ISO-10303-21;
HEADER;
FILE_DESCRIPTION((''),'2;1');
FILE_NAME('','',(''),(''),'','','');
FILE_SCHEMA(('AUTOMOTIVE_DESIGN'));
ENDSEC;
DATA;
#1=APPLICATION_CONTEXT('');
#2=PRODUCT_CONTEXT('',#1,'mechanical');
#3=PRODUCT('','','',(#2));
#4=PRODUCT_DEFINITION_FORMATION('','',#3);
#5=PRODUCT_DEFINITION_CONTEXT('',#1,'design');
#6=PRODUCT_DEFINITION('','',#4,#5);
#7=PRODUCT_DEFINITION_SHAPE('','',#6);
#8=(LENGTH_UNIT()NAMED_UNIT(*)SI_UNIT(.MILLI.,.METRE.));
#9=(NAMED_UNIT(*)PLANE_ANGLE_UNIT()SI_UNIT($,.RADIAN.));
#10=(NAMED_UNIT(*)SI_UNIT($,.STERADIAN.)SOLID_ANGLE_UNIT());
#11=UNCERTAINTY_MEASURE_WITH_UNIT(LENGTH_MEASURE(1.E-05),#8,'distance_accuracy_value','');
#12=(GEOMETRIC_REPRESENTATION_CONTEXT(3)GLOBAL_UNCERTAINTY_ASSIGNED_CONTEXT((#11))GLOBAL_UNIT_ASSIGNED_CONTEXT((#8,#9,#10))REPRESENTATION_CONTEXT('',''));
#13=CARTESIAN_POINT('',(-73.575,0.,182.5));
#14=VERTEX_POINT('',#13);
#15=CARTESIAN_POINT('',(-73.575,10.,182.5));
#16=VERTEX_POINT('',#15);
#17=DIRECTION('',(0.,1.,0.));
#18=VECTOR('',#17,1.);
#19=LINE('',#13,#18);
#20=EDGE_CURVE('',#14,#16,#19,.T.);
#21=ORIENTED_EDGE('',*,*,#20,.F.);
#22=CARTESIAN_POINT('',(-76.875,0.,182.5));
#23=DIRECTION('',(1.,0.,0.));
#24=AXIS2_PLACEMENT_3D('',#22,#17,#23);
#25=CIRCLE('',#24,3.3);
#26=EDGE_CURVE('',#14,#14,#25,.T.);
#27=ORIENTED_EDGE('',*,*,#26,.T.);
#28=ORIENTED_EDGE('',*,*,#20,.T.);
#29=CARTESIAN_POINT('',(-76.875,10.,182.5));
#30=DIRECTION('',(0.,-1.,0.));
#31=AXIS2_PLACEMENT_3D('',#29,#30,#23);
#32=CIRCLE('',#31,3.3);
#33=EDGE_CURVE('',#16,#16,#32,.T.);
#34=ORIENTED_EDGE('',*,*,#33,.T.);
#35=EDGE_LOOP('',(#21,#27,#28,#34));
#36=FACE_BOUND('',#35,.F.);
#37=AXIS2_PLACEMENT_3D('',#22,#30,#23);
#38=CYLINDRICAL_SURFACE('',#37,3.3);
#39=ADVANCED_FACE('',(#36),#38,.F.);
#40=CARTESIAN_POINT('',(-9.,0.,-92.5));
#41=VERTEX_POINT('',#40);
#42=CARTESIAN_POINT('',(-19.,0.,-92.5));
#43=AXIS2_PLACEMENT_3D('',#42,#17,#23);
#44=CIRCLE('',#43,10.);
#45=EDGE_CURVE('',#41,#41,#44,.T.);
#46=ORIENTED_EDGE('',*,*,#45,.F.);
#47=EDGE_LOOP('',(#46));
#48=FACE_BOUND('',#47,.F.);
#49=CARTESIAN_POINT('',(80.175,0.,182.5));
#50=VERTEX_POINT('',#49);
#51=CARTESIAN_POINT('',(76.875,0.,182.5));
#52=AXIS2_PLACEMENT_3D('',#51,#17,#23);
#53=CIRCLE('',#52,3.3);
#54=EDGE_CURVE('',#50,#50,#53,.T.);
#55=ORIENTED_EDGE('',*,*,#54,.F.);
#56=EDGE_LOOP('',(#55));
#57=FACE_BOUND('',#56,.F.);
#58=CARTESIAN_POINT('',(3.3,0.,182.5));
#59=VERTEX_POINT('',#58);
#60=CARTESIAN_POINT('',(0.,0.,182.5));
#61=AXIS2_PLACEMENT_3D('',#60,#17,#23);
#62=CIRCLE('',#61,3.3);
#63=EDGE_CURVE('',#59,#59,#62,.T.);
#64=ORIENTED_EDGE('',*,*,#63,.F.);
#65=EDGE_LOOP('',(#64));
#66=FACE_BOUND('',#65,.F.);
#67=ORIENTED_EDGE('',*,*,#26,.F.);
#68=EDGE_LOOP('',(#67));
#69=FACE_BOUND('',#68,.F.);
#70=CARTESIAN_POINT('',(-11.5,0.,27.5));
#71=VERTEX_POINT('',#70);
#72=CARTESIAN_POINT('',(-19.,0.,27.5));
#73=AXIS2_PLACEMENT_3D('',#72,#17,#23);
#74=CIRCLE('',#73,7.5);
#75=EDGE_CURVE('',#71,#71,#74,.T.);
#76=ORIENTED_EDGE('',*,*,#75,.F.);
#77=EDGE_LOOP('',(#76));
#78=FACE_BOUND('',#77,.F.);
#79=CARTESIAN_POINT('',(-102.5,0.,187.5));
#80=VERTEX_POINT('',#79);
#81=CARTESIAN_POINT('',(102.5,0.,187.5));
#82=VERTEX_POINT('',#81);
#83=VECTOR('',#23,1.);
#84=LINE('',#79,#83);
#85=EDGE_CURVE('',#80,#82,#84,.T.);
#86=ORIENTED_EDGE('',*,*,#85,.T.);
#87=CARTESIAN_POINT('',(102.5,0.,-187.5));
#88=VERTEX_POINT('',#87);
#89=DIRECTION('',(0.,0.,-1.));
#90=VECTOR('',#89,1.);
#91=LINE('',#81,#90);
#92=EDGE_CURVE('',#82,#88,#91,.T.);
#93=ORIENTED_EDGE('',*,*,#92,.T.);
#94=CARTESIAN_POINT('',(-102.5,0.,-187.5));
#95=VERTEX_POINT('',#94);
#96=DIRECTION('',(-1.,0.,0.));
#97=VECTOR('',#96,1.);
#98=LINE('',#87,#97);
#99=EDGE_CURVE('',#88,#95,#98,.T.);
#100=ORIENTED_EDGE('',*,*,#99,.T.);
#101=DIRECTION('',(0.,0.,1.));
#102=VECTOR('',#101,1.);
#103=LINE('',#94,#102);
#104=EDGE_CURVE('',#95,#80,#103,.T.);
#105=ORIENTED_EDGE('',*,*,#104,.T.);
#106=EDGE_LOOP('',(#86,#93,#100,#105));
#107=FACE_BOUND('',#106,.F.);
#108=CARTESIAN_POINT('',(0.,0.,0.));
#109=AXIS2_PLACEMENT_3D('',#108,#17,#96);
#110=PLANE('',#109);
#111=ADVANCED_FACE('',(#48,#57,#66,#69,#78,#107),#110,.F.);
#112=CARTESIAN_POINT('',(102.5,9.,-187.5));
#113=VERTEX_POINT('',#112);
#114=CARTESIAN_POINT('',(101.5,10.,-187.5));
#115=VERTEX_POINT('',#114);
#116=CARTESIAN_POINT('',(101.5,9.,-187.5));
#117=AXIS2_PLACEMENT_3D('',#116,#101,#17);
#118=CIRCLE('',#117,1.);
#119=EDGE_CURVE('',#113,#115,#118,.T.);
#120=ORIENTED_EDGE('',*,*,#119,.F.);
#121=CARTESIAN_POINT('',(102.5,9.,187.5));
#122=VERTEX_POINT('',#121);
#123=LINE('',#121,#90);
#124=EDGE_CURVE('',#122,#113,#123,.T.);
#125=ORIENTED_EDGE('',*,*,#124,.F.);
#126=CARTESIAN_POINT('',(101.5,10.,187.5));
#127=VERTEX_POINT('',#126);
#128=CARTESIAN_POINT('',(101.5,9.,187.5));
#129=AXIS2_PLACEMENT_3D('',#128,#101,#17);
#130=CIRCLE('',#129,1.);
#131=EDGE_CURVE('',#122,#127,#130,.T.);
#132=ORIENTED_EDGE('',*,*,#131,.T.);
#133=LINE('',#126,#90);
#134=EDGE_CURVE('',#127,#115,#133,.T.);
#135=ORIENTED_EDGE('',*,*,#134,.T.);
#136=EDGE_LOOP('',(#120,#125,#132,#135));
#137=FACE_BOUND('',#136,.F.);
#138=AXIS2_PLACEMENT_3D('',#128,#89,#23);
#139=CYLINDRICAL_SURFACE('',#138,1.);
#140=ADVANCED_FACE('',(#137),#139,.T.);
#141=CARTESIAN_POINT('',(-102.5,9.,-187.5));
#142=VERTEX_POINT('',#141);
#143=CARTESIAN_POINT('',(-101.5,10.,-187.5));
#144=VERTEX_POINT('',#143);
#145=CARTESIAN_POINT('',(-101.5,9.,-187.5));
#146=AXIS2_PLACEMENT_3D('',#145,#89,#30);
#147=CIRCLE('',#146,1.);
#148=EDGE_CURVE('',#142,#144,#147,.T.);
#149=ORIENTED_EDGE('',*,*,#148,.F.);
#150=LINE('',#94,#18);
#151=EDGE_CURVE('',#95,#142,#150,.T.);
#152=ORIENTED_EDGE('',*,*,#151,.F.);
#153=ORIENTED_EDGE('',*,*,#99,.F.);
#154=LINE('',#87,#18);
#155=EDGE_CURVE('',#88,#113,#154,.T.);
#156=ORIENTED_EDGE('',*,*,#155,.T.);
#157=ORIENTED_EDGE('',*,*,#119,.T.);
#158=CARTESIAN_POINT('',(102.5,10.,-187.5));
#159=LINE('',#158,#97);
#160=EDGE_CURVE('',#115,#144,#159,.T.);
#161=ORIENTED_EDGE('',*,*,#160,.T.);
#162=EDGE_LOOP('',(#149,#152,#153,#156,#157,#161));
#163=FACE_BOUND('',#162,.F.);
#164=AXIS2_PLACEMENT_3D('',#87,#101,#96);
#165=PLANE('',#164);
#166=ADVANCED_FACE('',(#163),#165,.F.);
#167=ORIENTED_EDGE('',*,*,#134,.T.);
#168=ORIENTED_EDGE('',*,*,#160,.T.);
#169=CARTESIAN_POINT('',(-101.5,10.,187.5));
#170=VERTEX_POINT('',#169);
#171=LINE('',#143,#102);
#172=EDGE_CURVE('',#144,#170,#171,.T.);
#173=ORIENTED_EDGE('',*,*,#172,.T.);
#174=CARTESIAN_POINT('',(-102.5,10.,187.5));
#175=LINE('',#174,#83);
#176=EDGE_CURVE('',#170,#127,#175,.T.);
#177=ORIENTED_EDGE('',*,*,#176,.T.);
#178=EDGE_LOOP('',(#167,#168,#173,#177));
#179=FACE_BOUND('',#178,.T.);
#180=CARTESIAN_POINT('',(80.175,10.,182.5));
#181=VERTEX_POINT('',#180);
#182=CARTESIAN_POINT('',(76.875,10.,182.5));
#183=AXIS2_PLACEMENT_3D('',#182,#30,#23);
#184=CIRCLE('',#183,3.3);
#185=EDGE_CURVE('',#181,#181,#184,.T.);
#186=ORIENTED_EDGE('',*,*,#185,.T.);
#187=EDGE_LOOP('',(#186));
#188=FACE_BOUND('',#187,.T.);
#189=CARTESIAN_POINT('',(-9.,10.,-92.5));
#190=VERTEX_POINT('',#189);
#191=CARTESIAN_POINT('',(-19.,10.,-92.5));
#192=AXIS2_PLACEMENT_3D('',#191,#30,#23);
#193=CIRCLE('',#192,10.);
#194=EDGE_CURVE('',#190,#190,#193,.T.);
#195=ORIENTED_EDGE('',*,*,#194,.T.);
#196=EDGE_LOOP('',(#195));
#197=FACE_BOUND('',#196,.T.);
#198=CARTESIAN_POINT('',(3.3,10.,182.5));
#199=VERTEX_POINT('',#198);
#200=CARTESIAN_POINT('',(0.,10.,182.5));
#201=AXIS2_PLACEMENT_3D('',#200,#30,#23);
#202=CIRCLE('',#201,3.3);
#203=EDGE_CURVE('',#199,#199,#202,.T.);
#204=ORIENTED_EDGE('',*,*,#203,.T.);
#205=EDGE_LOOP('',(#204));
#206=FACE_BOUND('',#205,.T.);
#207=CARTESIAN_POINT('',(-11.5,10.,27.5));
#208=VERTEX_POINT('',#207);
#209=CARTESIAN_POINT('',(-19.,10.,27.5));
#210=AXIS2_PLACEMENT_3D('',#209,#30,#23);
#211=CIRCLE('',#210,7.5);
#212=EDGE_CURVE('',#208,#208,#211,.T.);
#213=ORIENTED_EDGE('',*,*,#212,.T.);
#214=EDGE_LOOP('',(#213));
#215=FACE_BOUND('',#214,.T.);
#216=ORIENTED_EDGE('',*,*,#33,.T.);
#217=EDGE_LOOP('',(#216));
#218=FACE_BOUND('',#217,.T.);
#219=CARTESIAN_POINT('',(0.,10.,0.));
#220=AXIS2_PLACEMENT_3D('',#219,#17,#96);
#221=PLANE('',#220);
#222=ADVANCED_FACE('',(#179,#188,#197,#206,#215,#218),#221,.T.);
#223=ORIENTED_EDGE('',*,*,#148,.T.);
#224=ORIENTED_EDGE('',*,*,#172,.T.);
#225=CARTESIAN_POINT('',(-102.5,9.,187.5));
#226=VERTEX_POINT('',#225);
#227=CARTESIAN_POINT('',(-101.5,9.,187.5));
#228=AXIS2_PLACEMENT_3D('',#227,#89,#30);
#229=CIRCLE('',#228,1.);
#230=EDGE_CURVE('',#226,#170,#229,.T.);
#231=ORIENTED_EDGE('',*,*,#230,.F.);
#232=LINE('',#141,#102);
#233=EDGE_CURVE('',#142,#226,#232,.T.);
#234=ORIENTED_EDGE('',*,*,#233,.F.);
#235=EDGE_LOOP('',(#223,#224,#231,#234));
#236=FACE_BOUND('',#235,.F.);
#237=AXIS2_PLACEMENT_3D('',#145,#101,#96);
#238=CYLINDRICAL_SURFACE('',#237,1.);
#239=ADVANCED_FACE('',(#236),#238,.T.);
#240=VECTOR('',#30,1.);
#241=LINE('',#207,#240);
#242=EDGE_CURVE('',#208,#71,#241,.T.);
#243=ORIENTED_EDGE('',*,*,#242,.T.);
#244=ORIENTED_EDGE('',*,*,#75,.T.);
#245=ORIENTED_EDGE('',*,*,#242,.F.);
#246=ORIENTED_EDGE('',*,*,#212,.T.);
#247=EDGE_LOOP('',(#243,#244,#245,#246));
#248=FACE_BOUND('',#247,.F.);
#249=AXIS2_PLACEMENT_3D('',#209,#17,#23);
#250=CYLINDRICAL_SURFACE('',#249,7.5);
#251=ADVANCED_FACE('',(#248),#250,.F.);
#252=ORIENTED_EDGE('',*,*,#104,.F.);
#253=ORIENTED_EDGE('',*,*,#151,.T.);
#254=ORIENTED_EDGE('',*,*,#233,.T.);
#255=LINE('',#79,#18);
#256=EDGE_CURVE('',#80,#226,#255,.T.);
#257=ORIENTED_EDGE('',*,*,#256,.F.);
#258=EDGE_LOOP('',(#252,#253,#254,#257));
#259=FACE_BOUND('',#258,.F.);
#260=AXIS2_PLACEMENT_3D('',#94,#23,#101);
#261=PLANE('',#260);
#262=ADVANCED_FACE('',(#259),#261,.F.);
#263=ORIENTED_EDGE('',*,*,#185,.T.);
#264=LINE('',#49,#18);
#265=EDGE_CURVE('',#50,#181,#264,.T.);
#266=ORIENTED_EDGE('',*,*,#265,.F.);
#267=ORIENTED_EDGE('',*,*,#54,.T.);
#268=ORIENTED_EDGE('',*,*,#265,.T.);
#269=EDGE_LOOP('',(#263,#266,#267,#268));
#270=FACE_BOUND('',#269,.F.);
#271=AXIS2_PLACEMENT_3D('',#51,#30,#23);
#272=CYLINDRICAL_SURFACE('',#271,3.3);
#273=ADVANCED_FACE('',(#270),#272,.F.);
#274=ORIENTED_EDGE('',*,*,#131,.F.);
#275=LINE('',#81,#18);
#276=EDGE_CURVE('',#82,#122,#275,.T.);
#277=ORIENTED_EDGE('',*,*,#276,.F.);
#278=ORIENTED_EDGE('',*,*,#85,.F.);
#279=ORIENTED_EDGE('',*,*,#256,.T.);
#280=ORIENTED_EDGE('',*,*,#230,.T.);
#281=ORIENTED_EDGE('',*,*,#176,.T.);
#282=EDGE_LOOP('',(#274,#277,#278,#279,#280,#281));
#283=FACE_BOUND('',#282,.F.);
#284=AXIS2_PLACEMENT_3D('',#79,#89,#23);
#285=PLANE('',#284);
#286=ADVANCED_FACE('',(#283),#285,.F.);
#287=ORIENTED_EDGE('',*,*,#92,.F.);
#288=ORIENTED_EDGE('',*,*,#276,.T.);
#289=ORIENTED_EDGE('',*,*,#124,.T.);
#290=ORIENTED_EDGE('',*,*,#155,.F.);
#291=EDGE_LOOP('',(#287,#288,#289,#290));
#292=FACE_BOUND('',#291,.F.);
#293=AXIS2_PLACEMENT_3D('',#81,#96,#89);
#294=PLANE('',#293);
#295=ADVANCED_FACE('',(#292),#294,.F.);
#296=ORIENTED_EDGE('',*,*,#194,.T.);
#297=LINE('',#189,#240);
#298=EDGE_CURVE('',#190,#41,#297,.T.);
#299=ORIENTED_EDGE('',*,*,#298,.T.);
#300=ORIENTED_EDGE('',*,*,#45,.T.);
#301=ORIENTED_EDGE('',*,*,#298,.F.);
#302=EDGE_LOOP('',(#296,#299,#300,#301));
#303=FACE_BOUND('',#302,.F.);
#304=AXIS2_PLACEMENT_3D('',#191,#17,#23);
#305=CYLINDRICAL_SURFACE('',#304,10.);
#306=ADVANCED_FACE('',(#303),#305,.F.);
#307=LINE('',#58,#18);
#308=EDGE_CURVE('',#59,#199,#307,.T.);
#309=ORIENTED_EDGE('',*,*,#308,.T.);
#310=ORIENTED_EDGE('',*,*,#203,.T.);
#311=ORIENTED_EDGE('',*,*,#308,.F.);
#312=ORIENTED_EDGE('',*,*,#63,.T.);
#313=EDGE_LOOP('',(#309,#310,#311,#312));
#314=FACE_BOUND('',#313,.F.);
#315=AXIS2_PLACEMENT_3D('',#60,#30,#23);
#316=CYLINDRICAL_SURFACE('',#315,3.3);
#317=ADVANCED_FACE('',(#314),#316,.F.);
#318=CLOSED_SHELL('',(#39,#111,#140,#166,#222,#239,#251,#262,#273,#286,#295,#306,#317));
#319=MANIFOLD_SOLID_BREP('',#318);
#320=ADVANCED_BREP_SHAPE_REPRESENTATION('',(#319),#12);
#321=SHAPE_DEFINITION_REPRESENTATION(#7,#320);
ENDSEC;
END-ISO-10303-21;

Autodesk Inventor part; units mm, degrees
ref_plane "YZ Plane" through (0, 0, 0) normal (1, 0, 0) x (0, 1, 0)
ref_plane "XZ Plane" through (0, 0, 0) normal (0, 1, 0) x (-1, 0, 0)
ref_plane "XY Plane" through (0, 0, 0) normal (0, 0, 1) x (1, 0, 0)
sketch "Sketch1" plane through (0, 0, 0) normal (0, 1, 0) x (-1, 0, 0)
  line L0 (102.5, 187.5) -> (-102.5, 187.5)
  line L1 (-102.5, 187.5) -> (-102.5, -187.5)
  line L2 (-102.5, -187.5) -> (102.5, -187.5)
  line L3 (102.5, -187.5) -> (102.5, 187.5)
  line L4 (102.5, 187.5) -> (-102.5, -187.5) construction
  line L5 (-102.5, 187.5) -> (102.5, -187.5) construction
  point P0 (0, 0)
  dimension "d0" = 205
  dimension "d1" = 375
extrude "Extrusion1" add sketch "Sketch1" along normal blind 10
fillet "Fillet1" radius 1 2 edges at (102.5, 10, 0) (-102.5, 10, 0)
sketch "Sketch3" plane through (0, 0, 0) normal (0, -1, 0) x (1, 0, 0)
  line L0 (102.5, -187.5) -> (-102.5, -187.5) projected
  line L1 (102.5, 187.5) -> (102.5, -187.5) projected
  line L2 (-102.5, 187.5) -> (102.5, 187.5) projected
  line L3 (-102.5, -187.5) -> (-102.5, 187.5) projected
  line L4 (102.5, 187.5) -> (102.5, -187.5) projected
  line L5 (-102.5, -187.5) -> (-102.5, 187.5) projected
  line L6 (102.5, 187.5) -> (-102.5, 187.5)
  line L7 (-102.5, 187.5) -> (-102.5, 177.5)
  line L8 (-102.5, 177.5) -> (102.5, 177.5)
  line L9 (102.5, 177.5) -> (102.5, 187.5)
  line L10 (102.5, 182.5) -> (-102.5, 182.5)
  line L11 (102.5, 182.5) -> (0, 182.5)
  line L12 (51.25, 182.5) -> (102.5, 182.5)
  line L13 (0, 182.5) -> (-102.5, 182.5)
  line L14 (-102.5, 182.5) -> (-51.25, 182.5)
  circle A0 centre (76.875, 182.5) radius 3.3
  circle A1 centre (0, 182.5) radius 3.3
  circle A2 centre (-76.875, 182.5) radius 3.3
  point P0 (0, 0)
  dimension "d5" = 10
  dimension "d6" = 6.6
  dimension "d7" = 6.6
  dimension "d8" = 6.6
extrude "Extrusion2" cut sketch "Sketch3" against normal up to surface (10 mm away) contours A0 L10 | L10 A0 | A2 L10 | L10 A2 | A1 L10 | L10 A1
sketch "Sketch4" plane through (0, 10, 0) normal (0, 1, 0) x (1, 0, 0)
  line L0 (-101.5, -187.5) -> (-102.5, -187.5) projected
  line L1 (-102.5, -187.5) -> (-19, -187.5)
  line L2 (-101.5, -187.5) -> (101.5, -187.5) projected
  line L3 (-19, -187.5) -> (-19, -27.5)
  circle A0 centre (-19, -27.5) radius 7.5
  line L4 (-19, -27.5) -> (-19, 92.5)
  circle A1 centre (-19, 92.5) radius 10
  point P0 (0, 0)
  dimension "d11" = 83.5
  dimension "d12" = 160
  dimension "d13" = 15
  dimension "d16" = 120
  dimension "d17" = 20
extrude "Extrusion3" cut sketch "Sketch4" against normal up to surface (10 mm away) contours A0 L4 L3 | L3 L4 A0
extrude "Extrusion4" cut sketch "Sketch4" against normal up to surface (10 mm away) contours A1
properties part number "płyta_boczna_obudowy"
